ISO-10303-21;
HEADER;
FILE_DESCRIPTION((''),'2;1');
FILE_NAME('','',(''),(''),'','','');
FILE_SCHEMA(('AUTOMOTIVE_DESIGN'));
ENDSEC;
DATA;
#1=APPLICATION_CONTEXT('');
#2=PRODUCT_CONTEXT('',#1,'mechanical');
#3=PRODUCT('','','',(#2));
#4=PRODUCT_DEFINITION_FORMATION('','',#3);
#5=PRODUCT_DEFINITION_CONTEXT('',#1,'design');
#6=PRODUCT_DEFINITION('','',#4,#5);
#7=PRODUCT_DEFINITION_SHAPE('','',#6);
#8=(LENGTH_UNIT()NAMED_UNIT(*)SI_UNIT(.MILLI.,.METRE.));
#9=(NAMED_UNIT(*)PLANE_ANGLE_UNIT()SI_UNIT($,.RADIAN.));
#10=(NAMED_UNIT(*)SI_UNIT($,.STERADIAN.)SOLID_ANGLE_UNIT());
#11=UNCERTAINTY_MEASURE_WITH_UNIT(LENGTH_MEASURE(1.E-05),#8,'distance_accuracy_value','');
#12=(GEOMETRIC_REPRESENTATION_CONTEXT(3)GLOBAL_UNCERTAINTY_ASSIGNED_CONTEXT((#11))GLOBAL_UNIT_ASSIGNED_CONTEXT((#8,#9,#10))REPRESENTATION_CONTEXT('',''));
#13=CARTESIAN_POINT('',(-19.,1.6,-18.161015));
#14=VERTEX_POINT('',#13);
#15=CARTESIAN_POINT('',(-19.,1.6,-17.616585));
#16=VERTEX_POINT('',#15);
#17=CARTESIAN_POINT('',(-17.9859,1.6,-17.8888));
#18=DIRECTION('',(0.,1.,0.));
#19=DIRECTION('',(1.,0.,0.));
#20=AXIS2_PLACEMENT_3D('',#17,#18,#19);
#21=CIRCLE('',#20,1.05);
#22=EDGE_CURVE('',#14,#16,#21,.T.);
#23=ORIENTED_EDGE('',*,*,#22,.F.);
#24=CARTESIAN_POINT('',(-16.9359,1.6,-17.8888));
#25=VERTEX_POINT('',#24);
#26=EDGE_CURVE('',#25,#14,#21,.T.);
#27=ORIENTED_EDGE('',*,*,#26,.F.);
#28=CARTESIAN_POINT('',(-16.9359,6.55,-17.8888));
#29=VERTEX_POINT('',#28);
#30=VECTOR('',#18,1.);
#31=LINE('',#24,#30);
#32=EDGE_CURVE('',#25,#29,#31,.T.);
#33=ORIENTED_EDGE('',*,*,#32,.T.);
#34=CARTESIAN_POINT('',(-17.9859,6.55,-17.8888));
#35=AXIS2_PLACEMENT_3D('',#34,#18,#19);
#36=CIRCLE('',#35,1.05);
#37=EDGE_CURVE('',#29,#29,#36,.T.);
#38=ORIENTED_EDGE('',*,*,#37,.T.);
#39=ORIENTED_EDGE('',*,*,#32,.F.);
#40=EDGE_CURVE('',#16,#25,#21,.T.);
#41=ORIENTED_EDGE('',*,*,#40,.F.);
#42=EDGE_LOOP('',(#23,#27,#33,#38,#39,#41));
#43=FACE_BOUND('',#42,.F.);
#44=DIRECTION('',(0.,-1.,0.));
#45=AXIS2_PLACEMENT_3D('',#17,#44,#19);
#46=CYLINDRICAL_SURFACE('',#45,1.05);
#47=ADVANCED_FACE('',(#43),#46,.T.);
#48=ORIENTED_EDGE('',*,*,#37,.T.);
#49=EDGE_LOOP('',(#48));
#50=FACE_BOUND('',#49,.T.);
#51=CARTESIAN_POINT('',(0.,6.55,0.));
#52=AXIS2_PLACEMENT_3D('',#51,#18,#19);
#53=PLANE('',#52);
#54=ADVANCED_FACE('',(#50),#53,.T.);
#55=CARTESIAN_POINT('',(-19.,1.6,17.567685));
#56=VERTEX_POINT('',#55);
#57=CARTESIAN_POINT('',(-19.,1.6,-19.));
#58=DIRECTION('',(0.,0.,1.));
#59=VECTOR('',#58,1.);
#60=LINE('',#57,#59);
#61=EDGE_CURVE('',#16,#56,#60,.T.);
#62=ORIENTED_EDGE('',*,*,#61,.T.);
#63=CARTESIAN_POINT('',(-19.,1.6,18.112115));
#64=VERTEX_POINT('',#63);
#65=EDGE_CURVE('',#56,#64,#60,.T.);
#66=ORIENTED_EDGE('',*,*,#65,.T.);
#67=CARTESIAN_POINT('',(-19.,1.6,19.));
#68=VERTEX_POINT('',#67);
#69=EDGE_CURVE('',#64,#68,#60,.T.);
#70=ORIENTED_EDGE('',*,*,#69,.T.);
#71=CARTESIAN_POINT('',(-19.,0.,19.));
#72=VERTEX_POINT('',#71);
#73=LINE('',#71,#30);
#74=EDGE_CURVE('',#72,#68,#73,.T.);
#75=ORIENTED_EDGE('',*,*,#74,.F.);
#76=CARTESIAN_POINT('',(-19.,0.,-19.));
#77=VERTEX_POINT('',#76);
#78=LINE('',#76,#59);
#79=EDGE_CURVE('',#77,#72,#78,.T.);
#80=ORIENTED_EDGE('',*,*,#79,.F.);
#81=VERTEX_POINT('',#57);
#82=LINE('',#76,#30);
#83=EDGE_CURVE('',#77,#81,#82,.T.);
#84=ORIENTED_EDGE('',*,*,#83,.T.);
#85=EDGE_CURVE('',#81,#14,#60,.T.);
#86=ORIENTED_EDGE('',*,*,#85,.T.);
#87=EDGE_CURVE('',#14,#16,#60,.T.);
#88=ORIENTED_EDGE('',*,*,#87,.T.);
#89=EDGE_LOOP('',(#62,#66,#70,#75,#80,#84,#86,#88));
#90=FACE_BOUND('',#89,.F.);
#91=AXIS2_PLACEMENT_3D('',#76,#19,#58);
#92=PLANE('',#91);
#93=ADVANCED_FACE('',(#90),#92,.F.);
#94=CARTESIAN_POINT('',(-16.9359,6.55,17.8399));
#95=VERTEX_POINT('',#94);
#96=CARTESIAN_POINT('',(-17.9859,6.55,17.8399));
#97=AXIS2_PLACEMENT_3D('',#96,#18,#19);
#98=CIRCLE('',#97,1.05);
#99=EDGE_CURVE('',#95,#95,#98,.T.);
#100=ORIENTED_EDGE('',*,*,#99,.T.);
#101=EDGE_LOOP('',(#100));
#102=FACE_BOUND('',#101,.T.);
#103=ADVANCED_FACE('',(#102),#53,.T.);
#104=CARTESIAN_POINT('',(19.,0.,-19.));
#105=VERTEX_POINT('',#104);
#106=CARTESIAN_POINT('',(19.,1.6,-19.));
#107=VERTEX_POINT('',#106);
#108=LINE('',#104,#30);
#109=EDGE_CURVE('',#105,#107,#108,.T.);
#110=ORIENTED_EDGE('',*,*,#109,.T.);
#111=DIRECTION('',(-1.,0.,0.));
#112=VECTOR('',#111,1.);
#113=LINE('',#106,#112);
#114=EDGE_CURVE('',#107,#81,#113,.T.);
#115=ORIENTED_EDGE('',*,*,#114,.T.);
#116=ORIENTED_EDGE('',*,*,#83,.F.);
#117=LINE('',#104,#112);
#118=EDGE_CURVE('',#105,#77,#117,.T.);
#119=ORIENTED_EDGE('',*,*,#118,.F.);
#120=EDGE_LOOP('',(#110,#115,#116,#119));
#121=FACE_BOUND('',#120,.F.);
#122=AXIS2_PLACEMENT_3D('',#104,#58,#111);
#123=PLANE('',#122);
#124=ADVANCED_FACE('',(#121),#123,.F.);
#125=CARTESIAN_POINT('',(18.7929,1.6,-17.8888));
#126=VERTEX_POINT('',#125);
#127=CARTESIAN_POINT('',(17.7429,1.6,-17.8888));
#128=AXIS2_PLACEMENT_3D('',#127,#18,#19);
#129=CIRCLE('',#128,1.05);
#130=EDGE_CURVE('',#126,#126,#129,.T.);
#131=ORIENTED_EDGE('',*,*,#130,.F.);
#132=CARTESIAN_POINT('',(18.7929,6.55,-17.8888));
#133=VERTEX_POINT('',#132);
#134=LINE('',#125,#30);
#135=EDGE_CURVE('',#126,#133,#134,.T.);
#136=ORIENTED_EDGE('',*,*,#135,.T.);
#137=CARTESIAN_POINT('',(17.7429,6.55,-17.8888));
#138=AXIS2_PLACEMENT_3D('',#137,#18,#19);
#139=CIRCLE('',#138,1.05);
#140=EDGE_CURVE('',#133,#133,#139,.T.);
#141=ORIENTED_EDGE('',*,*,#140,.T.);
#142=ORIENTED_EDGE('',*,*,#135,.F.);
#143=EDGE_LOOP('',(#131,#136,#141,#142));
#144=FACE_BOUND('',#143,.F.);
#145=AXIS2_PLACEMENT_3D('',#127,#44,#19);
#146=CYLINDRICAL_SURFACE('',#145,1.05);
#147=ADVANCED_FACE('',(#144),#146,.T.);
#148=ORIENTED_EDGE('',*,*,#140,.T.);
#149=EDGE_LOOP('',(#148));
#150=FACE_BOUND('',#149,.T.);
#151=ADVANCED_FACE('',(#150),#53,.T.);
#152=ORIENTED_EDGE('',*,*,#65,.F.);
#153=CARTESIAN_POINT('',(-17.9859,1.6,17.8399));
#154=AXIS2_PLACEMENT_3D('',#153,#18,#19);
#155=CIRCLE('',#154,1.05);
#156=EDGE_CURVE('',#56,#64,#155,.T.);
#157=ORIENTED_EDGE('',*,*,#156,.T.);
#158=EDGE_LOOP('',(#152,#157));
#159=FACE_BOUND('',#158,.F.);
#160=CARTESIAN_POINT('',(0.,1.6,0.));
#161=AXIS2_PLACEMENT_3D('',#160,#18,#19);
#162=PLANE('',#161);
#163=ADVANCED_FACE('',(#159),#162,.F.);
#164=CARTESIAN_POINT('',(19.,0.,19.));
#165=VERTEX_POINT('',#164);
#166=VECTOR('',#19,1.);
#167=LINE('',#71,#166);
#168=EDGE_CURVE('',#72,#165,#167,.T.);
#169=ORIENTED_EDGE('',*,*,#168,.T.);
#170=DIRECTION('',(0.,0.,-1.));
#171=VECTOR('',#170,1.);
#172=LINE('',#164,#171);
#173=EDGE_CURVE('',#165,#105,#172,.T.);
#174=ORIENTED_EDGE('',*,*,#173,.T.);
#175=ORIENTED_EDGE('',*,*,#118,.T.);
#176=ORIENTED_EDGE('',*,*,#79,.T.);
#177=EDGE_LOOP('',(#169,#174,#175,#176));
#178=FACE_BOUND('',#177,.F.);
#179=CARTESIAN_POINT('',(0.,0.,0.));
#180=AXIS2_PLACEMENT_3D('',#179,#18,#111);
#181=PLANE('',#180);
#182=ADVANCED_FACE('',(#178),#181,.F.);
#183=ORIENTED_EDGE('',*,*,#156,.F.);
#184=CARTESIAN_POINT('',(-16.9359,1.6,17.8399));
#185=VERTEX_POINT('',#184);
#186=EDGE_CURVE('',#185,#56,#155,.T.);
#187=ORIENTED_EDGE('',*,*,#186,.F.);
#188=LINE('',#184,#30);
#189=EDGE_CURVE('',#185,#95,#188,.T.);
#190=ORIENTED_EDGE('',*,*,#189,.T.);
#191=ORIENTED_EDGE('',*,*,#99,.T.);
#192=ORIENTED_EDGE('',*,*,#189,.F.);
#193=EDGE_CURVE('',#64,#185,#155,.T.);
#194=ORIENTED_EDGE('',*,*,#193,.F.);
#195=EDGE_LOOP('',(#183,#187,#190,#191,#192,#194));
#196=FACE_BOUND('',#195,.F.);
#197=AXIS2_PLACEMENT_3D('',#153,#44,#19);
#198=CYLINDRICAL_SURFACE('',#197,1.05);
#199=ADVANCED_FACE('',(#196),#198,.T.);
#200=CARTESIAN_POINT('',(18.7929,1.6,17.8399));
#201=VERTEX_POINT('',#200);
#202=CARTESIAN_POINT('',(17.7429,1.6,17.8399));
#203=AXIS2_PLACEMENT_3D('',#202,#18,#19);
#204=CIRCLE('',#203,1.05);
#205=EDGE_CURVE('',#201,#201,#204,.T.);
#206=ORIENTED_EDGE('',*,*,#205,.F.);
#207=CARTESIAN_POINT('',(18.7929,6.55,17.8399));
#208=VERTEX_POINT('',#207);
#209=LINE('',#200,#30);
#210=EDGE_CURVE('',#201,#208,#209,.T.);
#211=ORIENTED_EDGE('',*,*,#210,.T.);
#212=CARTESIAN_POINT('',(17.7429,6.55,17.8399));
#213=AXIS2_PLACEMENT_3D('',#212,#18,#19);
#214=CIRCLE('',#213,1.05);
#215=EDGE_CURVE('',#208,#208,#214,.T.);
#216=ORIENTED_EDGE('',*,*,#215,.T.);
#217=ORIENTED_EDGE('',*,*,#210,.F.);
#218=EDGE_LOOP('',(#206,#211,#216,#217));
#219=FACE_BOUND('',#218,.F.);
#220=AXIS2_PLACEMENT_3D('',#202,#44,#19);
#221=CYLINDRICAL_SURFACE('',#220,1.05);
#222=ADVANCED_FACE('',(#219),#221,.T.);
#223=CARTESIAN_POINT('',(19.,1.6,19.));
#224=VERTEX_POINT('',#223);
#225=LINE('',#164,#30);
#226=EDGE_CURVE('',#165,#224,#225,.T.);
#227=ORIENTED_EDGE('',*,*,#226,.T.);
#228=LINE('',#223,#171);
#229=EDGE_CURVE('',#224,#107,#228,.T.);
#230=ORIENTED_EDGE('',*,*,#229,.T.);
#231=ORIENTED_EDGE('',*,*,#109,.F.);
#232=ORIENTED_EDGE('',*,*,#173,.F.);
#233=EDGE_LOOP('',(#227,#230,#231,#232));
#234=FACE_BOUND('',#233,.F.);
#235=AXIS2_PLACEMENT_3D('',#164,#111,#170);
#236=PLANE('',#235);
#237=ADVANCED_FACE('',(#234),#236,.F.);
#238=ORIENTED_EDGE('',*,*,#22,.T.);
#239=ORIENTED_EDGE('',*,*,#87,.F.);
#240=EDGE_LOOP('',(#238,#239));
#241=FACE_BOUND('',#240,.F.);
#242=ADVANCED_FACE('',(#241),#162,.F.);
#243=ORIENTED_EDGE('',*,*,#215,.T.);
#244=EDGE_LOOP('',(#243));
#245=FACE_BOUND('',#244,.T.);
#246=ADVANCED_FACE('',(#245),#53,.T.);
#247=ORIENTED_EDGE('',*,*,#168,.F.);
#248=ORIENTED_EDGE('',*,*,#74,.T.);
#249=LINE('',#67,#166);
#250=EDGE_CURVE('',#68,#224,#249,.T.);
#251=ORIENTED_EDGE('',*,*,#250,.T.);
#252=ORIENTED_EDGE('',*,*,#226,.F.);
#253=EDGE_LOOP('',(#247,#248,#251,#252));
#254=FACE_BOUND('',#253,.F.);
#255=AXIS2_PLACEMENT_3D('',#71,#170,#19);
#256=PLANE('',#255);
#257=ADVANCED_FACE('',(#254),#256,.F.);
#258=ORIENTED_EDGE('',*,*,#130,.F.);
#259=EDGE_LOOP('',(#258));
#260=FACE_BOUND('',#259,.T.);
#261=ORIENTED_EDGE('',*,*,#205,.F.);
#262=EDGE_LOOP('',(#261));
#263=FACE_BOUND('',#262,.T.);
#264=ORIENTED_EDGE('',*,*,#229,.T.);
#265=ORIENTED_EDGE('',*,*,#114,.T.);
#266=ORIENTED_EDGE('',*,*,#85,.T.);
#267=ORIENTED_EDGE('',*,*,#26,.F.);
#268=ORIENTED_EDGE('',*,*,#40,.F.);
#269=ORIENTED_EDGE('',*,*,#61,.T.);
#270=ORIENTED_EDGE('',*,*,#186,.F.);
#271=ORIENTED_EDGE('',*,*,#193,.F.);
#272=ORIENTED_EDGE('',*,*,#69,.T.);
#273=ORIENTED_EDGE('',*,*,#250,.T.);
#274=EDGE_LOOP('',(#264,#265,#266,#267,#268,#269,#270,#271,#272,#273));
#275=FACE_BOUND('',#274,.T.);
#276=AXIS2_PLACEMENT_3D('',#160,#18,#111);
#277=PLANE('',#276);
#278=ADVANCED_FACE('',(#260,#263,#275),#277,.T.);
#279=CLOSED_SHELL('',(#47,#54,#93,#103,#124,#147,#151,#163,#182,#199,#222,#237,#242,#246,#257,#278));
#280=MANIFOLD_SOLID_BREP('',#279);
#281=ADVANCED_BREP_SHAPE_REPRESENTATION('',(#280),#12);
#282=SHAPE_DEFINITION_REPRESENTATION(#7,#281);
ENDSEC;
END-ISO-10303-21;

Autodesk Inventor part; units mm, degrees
ref_plane "YZ Plane" through (0, 0, 0) normal (1, 0, 0) x (0, 1, 0)
ref_plane "XZ Plane" through (0, 0, 0) normal (0, 1, 0) x (-1, 0, 0)
ref_plane "XY Plane" through (0, 0, 0) normal (0, 0, 1) x (1, 0, 0)
sketch "Sketch1" plane through (0, 0, 0) normal (0, 1, 0) x (-1, 0, 0)
  line L0 (19, 19) -> (-19, 19)
  line L1 (-19, 19) -> (-19, -19)
  line L2 (-19, -19) -> (19, -19)
  line L3 (19, -19) -> (19, 19)
  dimension "d0" = 38
  dimension "d1" = 38
extrude "Extrusion1" add sketch "Sketch1" along normal blind 1.6
sketch "Sketch2" plane through (0, 1.6, 0) normal (0, 1, 0) x (1, 0, 0)
  line L0 (19, -19) -> (19, 19) projected
  circle A0 centre (17.7429, 17.8888) radius 1.05
  circle A1 centre (17.7429, -17.8399) radius 1.05
  circle A2 centre (-17.9859, -17.8399) radius 1.05
  circle A3 centre (-17.9859, 17.8888) radius 1.05
  point P0 (0, 0)
  dimension "d7" = 2.1
  dimension "d8" = 2.1
  dimension "d9" = 2.1
  dimension "d10" = 2.1
extrude "Extrusion2" add sketch "Sketch2" along normal blind 4.95
sketch "Sketch3" plane through (0, 1.6, 0) normal (0, 1, 0) x (1, 0, 0)
  point P0 (0, 0)
properties part number "Camera Bottom"
